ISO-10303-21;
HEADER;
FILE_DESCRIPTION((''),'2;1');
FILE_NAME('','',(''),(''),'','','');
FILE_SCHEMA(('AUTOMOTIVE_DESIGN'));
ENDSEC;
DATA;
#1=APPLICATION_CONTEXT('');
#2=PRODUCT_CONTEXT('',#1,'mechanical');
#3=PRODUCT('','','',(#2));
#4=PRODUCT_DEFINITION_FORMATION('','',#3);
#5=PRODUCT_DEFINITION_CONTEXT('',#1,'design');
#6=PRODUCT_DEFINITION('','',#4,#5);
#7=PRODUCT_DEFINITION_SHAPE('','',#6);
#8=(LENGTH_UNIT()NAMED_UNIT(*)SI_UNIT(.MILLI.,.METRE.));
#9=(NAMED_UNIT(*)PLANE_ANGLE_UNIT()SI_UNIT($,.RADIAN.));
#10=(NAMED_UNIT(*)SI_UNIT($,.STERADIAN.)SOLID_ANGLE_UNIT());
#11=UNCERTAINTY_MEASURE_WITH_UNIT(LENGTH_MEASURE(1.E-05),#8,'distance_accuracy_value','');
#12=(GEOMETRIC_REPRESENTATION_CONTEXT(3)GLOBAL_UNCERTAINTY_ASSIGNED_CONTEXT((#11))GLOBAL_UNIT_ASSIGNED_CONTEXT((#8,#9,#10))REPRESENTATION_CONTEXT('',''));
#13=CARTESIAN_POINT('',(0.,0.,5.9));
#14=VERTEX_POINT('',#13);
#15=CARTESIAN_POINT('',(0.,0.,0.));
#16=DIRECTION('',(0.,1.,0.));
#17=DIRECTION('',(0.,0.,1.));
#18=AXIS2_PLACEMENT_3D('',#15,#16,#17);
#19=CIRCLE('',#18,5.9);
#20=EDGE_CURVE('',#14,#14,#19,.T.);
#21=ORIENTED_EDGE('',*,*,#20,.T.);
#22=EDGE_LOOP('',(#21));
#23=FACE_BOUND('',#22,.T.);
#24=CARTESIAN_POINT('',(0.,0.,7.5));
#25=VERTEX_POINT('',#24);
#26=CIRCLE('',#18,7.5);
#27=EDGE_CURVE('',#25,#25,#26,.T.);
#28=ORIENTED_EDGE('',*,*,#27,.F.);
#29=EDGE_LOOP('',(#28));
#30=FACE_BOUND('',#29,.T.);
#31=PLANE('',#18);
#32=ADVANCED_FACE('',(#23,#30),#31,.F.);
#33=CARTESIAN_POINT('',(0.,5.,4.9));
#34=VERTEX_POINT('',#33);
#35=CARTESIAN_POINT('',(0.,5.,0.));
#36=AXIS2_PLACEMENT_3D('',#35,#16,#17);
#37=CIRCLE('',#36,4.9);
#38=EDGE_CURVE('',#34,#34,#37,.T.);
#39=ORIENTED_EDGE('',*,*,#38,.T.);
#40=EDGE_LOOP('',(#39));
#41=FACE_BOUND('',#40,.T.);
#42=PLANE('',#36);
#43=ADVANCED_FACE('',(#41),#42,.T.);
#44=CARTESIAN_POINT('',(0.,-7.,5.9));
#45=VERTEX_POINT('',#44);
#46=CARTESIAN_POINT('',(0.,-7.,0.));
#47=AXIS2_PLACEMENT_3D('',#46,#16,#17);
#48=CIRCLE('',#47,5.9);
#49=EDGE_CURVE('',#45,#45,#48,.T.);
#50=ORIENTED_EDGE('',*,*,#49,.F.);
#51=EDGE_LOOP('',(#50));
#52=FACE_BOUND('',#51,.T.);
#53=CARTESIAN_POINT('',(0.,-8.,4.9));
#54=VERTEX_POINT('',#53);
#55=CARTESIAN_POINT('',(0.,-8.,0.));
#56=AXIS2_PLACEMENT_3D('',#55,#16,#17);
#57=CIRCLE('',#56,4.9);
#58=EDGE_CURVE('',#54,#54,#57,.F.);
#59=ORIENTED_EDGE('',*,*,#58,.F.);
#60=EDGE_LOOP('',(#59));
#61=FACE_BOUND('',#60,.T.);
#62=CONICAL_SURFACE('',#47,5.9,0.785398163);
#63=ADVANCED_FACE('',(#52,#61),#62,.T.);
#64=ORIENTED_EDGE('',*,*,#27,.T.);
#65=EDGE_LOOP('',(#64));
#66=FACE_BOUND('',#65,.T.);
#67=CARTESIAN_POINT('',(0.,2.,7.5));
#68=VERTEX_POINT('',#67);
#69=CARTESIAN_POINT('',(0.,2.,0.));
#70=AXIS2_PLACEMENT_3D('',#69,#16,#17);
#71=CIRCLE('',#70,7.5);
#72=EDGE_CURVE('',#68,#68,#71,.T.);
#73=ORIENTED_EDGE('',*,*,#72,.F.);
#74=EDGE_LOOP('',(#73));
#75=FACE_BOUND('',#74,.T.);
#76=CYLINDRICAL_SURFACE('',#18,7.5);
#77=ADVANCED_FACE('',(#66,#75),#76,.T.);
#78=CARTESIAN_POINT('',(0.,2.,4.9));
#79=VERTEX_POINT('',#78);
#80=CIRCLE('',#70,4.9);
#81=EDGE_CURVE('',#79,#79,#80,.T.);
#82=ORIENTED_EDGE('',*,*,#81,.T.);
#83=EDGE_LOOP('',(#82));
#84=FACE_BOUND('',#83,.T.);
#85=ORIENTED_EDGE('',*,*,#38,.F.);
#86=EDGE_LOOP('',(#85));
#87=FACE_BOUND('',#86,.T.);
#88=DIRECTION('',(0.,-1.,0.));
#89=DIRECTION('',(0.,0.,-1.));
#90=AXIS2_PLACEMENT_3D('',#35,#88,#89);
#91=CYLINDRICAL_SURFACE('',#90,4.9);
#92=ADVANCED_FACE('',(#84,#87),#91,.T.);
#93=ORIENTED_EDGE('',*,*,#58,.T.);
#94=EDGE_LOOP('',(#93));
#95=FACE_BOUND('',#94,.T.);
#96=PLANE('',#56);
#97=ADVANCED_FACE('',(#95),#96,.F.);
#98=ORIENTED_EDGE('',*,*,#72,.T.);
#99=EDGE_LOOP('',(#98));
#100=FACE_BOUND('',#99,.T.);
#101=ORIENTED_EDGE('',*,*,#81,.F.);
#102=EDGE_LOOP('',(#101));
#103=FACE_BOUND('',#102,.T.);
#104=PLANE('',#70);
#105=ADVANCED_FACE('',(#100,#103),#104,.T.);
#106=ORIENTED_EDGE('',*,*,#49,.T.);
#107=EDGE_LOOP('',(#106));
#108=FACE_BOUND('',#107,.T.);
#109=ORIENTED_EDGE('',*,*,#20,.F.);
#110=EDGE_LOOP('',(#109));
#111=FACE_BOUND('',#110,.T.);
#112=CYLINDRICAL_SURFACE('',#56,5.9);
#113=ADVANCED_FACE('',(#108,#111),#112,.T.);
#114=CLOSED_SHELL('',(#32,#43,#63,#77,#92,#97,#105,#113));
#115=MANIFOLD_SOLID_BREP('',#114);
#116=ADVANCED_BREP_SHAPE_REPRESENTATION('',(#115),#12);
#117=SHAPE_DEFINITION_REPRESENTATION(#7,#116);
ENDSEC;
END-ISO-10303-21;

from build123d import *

# Parameters (mm, degrees)
SKETCH1_R           = 4.9
BOSS_EXTRUDE1_DEPTH = 5
SKETCH2_R           = 7.5
BOSS_EXTRUDE2_DEPTH = 2
SKETCH3_R           = 5.9
BOSS_EXTRUDE3_DEPTH = 8
CHAMFER1_SIZE       = 1


with BuildPart() as part:
    # Sketch1 → Boss-Extrude1 (new body)
    with BuildSketch(Plane(origin=(0, 0, 0), x_dir=(1, 0, 0), z_dir=(0, 1, 0))):
        with Locations(Location((0, 0, 0), (0, 0, 270))):
            Circle(SKETCH1_R)
    extrude(amount=BOSS_EXTRUDE1_DEPTH)

    # Sketch2 → Boss-Extrude2 (add)
    with BuildSketch(Plane(origin=(0, 1.999999904, 0), x_dir=(1, 0, 0), z_dir=(0, 1, 0))):
        with Locations(Location((0, 0, 0), (0, 0, 270))):
            Circle(SKETCH2_R)
    extrude(amount=-BOSS_EXTRUDE2_DEPTH)

    # Sketch3 → Boss-Extrude3 (add)
    with BuildSketch(Plane(origin=(0, 0, 0), x_dir=(1, 0, 0), z_dir=(0, 1, 0))):
        with Locations(Location((0, 0, 0), (0, 0, 270))):
            Circle(SKETCH3_R)
    extrude(amount=-BOSS_EXTRUDE3_DEPTH)

    # Chamfer1
    chamfer1_edges = [part.edges().sort_by_distance(p)[0] for p in [
        (0, -8, -5.9),
    ]]
    chamfer(chamfer1_edges, length=CHAMFER1_SIZE)


solid = part.part
